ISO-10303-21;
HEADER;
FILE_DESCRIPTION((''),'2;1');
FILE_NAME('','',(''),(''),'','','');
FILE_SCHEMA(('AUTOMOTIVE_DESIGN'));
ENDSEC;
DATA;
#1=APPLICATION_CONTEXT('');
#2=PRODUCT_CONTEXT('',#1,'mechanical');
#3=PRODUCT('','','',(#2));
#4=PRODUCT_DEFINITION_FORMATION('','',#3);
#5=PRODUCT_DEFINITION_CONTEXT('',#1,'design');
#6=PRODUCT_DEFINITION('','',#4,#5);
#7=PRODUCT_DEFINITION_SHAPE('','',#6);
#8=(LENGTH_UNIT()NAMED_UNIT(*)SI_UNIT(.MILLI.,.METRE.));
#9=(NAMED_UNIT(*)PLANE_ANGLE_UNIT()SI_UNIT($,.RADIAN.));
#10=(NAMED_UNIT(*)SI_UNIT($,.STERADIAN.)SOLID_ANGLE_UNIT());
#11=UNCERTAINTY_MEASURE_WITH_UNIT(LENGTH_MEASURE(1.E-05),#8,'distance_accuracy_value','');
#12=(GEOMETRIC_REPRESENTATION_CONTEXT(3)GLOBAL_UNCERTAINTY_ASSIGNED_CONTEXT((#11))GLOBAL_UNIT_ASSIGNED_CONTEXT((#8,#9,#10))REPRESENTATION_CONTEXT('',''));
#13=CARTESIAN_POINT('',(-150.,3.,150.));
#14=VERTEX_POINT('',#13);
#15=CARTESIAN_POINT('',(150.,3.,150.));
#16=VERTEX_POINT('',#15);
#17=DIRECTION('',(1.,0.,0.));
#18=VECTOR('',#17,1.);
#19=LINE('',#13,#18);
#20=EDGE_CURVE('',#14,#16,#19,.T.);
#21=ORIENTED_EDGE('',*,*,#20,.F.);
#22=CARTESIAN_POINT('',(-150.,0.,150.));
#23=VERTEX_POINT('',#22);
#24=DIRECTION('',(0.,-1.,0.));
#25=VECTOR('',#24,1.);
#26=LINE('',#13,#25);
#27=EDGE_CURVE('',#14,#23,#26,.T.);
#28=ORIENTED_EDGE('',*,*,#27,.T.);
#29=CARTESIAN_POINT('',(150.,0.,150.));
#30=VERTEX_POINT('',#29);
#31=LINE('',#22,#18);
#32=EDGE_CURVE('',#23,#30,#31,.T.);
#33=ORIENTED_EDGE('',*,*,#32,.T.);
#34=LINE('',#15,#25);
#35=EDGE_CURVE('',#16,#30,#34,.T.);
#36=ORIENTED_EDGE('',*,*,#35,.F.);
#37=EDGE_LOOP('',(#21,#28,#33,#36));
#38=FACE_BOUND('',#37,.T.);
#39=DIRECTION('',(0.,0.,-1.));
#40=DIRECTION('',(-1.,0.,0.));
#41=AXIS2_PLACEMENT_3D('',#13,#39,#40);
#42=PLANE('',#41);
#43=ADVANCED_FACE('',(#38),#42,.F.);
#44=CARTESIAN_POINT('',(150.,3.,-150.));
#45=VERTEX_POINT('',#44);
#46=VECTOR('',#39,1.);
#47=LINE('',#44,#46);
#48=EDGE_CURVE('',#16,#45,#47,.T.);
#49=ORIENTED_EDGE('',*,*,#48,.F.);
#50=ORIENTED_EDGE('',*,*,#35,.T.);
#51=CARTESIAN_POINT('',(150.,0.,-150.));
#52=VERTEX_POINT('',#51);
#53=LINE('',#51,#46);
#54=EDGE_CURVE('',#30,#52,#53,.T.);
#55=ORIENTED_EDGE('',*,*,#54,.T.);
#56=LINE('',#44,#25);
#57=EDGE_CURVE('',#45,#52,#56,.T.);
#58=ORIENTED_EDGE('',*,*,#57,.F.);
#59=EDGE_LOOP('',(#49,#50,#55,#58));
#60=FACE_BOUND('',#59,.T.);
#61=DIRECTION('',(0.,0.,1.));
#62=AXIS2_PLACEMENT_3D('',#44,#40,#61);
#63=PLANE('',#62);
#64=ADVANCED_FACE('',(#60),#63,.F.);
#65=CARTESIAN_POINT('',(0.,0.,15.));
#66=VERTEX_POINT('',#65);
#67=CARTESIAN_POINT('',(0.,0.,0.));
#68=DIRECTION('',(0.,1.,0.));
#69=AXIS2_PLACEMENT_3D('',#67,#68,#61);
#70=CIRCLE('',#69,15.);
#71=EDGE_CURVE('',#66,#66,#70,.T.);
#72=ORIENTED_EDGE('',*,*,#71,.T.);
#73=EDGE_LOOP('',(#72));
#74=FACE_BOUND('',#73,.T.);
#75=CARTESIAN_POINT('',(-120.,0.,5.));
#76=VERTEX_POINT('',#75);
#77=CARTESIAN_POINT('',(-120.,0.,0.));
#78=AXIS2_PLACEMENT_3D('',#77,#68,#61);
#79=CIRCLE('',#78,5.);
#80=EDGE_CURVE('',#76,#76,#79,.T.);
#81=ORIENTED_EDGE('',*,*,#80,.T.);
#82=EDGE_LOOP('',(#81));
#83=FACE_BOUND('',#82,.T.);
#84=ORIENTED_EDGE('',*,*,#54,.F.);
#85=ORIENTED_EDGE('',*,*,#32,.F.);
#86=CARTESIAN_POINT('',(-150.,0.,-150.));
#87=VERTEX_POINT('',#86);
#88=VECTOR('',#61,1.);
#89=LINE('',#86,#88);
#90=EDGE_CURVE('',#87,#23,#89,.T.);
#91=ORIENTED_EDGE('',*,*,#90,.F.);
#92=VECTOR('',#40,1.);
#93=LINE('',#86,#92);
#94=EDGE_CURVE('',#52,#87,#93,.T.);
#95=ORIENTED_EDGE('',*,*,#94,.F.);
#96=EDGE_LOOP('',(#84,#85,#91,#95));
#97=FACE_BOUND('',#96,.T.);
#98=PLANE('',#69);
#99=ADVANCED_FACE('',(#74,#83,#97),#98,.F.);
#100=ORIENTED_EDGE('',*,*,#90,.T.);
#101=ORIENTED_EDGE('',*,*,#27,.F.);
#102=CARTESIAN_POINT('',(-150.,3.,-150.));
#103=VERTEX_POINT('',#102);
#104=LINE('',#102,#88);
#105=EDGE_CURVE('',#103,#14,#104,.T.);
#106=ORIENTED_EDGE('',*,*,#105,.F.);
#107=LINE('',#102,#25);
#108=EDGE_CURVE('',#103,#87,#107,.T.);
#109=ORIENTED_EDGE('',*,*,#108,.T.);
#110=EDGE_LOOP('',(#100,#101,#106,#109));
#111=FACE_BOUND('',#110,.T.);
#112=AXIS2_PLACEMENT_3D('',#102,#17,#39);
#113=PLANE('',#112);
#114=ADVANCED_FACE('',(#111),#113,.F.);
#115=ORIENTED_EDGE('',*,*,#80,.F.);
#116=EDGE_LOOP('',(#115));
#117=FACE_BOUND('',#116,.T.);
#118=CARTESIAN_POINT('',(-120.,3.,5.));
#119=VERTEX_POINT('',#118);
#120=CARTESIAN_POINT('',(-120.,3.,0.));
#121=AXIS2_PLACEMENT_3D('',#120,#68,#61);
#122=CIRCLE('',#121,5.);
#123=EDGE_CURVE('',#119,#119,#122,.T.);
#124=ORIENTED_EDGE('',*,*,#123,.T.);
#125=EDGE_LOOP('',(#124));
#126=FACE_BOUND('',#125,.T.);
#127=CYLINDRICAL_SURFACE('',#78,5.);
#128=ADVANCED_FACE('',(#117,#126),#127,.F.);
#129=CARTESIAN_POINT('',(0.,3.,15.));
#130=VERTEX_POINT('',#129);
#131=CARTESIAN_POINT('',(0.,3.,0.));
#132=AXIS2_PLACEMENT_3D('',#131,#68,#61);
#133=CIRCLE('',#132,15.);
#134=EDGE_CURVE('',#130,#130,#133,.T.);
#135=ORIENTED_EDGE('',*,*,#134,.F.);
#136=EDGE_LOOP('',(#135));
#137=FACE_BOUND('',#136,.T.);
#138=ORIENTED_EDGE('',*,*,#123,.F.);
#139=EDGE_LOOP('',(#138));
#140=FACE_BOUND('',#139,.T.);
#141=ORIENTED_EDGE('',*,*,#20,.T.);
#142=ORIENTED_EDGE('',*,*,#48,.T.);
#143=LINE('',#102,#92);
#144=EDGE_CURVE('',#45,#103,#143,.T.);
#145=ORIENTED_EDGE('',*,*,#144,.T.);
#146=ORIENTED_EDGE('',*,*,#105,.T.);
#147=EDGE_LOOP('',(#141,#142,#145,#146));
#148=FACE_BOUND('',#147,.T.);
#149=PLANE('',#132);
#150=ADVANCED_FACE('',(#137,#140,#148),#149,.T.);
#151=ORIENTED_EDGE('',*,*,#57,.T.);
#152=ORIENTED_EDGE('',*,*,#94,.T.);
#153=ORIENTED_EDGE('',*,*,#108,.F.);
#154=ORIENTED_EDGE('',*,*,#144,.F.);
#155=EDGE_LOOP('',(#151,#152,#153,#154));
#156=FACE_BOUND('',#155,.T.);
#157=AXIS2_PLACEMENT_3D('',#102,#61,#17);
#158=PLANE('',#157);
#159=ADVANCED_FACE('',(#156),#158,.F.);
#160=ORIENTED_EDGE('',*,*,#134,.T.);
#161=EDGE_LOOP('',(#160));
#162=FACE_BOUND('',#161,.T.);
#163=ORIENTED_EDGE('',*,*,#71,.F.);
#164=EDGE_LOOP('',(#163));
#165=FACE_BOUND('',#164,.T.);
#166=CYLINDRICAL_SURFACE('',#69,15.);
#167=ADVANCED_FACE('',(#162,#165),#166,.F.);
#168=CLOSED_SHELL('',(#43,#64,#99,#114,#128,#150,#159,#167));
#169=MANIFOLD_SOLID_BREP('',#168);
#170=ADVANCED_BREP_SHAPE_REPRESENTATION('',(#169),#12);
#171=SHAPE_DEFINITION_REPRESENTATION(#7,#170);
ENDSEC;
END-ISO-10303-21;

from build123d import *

# Parameters (mm, degrees)
SKETCH2_W           = 300
SKETCH2_H           = 300
BOSS_EXTRUDE1_DEPTH = 3
SKETCH3_R           = 15
CUT_EXTRUDE1_DEPTH  = 4
SKETCH4_R           = 5
CUT_EXTRUDE2_DEPTH  = 4


with BuildPart() as part:
    # Sketch2 → Boss-Extrude1 (new body)
    with BuildSketch(Plane(origin=(0, 0, 0), x_dir=(1, 0, 0), z_dir=(0, 1, 0))):
        Rectangle(SKETCH2_W, SKETCH2_H)
    extrude(amount=BOSS_EXTRUDE1_DEPTH)

    # Sketch3 → Cut-Extrude1 (cut, through all)
    with BuildSketch(Plane(origin=(0, 3, 0), x_dir=(1, 0, 0), z_dir=(0, 1, 0))):
        Circle(SKETCH3_R)
    extrude(amount=-CUT_EXTRUDE1_DEPTH, mode=Mode.SUBTRACT)

    # Sketch4 → Cut-Extrude2 (cut, through all)
    with BuildSketch(Plane(origin=(0, 3, 0), x_dir=(1, 0, 0), z_dir=(0, 1, 0))):
        with Locations((-120, 0)):
            Circle(SKETCH4_R)
    extrude(amount=-CUT_EXTRUDE2_DEPTH, mode=Mode.SUBTRACT)


solid = part.part
